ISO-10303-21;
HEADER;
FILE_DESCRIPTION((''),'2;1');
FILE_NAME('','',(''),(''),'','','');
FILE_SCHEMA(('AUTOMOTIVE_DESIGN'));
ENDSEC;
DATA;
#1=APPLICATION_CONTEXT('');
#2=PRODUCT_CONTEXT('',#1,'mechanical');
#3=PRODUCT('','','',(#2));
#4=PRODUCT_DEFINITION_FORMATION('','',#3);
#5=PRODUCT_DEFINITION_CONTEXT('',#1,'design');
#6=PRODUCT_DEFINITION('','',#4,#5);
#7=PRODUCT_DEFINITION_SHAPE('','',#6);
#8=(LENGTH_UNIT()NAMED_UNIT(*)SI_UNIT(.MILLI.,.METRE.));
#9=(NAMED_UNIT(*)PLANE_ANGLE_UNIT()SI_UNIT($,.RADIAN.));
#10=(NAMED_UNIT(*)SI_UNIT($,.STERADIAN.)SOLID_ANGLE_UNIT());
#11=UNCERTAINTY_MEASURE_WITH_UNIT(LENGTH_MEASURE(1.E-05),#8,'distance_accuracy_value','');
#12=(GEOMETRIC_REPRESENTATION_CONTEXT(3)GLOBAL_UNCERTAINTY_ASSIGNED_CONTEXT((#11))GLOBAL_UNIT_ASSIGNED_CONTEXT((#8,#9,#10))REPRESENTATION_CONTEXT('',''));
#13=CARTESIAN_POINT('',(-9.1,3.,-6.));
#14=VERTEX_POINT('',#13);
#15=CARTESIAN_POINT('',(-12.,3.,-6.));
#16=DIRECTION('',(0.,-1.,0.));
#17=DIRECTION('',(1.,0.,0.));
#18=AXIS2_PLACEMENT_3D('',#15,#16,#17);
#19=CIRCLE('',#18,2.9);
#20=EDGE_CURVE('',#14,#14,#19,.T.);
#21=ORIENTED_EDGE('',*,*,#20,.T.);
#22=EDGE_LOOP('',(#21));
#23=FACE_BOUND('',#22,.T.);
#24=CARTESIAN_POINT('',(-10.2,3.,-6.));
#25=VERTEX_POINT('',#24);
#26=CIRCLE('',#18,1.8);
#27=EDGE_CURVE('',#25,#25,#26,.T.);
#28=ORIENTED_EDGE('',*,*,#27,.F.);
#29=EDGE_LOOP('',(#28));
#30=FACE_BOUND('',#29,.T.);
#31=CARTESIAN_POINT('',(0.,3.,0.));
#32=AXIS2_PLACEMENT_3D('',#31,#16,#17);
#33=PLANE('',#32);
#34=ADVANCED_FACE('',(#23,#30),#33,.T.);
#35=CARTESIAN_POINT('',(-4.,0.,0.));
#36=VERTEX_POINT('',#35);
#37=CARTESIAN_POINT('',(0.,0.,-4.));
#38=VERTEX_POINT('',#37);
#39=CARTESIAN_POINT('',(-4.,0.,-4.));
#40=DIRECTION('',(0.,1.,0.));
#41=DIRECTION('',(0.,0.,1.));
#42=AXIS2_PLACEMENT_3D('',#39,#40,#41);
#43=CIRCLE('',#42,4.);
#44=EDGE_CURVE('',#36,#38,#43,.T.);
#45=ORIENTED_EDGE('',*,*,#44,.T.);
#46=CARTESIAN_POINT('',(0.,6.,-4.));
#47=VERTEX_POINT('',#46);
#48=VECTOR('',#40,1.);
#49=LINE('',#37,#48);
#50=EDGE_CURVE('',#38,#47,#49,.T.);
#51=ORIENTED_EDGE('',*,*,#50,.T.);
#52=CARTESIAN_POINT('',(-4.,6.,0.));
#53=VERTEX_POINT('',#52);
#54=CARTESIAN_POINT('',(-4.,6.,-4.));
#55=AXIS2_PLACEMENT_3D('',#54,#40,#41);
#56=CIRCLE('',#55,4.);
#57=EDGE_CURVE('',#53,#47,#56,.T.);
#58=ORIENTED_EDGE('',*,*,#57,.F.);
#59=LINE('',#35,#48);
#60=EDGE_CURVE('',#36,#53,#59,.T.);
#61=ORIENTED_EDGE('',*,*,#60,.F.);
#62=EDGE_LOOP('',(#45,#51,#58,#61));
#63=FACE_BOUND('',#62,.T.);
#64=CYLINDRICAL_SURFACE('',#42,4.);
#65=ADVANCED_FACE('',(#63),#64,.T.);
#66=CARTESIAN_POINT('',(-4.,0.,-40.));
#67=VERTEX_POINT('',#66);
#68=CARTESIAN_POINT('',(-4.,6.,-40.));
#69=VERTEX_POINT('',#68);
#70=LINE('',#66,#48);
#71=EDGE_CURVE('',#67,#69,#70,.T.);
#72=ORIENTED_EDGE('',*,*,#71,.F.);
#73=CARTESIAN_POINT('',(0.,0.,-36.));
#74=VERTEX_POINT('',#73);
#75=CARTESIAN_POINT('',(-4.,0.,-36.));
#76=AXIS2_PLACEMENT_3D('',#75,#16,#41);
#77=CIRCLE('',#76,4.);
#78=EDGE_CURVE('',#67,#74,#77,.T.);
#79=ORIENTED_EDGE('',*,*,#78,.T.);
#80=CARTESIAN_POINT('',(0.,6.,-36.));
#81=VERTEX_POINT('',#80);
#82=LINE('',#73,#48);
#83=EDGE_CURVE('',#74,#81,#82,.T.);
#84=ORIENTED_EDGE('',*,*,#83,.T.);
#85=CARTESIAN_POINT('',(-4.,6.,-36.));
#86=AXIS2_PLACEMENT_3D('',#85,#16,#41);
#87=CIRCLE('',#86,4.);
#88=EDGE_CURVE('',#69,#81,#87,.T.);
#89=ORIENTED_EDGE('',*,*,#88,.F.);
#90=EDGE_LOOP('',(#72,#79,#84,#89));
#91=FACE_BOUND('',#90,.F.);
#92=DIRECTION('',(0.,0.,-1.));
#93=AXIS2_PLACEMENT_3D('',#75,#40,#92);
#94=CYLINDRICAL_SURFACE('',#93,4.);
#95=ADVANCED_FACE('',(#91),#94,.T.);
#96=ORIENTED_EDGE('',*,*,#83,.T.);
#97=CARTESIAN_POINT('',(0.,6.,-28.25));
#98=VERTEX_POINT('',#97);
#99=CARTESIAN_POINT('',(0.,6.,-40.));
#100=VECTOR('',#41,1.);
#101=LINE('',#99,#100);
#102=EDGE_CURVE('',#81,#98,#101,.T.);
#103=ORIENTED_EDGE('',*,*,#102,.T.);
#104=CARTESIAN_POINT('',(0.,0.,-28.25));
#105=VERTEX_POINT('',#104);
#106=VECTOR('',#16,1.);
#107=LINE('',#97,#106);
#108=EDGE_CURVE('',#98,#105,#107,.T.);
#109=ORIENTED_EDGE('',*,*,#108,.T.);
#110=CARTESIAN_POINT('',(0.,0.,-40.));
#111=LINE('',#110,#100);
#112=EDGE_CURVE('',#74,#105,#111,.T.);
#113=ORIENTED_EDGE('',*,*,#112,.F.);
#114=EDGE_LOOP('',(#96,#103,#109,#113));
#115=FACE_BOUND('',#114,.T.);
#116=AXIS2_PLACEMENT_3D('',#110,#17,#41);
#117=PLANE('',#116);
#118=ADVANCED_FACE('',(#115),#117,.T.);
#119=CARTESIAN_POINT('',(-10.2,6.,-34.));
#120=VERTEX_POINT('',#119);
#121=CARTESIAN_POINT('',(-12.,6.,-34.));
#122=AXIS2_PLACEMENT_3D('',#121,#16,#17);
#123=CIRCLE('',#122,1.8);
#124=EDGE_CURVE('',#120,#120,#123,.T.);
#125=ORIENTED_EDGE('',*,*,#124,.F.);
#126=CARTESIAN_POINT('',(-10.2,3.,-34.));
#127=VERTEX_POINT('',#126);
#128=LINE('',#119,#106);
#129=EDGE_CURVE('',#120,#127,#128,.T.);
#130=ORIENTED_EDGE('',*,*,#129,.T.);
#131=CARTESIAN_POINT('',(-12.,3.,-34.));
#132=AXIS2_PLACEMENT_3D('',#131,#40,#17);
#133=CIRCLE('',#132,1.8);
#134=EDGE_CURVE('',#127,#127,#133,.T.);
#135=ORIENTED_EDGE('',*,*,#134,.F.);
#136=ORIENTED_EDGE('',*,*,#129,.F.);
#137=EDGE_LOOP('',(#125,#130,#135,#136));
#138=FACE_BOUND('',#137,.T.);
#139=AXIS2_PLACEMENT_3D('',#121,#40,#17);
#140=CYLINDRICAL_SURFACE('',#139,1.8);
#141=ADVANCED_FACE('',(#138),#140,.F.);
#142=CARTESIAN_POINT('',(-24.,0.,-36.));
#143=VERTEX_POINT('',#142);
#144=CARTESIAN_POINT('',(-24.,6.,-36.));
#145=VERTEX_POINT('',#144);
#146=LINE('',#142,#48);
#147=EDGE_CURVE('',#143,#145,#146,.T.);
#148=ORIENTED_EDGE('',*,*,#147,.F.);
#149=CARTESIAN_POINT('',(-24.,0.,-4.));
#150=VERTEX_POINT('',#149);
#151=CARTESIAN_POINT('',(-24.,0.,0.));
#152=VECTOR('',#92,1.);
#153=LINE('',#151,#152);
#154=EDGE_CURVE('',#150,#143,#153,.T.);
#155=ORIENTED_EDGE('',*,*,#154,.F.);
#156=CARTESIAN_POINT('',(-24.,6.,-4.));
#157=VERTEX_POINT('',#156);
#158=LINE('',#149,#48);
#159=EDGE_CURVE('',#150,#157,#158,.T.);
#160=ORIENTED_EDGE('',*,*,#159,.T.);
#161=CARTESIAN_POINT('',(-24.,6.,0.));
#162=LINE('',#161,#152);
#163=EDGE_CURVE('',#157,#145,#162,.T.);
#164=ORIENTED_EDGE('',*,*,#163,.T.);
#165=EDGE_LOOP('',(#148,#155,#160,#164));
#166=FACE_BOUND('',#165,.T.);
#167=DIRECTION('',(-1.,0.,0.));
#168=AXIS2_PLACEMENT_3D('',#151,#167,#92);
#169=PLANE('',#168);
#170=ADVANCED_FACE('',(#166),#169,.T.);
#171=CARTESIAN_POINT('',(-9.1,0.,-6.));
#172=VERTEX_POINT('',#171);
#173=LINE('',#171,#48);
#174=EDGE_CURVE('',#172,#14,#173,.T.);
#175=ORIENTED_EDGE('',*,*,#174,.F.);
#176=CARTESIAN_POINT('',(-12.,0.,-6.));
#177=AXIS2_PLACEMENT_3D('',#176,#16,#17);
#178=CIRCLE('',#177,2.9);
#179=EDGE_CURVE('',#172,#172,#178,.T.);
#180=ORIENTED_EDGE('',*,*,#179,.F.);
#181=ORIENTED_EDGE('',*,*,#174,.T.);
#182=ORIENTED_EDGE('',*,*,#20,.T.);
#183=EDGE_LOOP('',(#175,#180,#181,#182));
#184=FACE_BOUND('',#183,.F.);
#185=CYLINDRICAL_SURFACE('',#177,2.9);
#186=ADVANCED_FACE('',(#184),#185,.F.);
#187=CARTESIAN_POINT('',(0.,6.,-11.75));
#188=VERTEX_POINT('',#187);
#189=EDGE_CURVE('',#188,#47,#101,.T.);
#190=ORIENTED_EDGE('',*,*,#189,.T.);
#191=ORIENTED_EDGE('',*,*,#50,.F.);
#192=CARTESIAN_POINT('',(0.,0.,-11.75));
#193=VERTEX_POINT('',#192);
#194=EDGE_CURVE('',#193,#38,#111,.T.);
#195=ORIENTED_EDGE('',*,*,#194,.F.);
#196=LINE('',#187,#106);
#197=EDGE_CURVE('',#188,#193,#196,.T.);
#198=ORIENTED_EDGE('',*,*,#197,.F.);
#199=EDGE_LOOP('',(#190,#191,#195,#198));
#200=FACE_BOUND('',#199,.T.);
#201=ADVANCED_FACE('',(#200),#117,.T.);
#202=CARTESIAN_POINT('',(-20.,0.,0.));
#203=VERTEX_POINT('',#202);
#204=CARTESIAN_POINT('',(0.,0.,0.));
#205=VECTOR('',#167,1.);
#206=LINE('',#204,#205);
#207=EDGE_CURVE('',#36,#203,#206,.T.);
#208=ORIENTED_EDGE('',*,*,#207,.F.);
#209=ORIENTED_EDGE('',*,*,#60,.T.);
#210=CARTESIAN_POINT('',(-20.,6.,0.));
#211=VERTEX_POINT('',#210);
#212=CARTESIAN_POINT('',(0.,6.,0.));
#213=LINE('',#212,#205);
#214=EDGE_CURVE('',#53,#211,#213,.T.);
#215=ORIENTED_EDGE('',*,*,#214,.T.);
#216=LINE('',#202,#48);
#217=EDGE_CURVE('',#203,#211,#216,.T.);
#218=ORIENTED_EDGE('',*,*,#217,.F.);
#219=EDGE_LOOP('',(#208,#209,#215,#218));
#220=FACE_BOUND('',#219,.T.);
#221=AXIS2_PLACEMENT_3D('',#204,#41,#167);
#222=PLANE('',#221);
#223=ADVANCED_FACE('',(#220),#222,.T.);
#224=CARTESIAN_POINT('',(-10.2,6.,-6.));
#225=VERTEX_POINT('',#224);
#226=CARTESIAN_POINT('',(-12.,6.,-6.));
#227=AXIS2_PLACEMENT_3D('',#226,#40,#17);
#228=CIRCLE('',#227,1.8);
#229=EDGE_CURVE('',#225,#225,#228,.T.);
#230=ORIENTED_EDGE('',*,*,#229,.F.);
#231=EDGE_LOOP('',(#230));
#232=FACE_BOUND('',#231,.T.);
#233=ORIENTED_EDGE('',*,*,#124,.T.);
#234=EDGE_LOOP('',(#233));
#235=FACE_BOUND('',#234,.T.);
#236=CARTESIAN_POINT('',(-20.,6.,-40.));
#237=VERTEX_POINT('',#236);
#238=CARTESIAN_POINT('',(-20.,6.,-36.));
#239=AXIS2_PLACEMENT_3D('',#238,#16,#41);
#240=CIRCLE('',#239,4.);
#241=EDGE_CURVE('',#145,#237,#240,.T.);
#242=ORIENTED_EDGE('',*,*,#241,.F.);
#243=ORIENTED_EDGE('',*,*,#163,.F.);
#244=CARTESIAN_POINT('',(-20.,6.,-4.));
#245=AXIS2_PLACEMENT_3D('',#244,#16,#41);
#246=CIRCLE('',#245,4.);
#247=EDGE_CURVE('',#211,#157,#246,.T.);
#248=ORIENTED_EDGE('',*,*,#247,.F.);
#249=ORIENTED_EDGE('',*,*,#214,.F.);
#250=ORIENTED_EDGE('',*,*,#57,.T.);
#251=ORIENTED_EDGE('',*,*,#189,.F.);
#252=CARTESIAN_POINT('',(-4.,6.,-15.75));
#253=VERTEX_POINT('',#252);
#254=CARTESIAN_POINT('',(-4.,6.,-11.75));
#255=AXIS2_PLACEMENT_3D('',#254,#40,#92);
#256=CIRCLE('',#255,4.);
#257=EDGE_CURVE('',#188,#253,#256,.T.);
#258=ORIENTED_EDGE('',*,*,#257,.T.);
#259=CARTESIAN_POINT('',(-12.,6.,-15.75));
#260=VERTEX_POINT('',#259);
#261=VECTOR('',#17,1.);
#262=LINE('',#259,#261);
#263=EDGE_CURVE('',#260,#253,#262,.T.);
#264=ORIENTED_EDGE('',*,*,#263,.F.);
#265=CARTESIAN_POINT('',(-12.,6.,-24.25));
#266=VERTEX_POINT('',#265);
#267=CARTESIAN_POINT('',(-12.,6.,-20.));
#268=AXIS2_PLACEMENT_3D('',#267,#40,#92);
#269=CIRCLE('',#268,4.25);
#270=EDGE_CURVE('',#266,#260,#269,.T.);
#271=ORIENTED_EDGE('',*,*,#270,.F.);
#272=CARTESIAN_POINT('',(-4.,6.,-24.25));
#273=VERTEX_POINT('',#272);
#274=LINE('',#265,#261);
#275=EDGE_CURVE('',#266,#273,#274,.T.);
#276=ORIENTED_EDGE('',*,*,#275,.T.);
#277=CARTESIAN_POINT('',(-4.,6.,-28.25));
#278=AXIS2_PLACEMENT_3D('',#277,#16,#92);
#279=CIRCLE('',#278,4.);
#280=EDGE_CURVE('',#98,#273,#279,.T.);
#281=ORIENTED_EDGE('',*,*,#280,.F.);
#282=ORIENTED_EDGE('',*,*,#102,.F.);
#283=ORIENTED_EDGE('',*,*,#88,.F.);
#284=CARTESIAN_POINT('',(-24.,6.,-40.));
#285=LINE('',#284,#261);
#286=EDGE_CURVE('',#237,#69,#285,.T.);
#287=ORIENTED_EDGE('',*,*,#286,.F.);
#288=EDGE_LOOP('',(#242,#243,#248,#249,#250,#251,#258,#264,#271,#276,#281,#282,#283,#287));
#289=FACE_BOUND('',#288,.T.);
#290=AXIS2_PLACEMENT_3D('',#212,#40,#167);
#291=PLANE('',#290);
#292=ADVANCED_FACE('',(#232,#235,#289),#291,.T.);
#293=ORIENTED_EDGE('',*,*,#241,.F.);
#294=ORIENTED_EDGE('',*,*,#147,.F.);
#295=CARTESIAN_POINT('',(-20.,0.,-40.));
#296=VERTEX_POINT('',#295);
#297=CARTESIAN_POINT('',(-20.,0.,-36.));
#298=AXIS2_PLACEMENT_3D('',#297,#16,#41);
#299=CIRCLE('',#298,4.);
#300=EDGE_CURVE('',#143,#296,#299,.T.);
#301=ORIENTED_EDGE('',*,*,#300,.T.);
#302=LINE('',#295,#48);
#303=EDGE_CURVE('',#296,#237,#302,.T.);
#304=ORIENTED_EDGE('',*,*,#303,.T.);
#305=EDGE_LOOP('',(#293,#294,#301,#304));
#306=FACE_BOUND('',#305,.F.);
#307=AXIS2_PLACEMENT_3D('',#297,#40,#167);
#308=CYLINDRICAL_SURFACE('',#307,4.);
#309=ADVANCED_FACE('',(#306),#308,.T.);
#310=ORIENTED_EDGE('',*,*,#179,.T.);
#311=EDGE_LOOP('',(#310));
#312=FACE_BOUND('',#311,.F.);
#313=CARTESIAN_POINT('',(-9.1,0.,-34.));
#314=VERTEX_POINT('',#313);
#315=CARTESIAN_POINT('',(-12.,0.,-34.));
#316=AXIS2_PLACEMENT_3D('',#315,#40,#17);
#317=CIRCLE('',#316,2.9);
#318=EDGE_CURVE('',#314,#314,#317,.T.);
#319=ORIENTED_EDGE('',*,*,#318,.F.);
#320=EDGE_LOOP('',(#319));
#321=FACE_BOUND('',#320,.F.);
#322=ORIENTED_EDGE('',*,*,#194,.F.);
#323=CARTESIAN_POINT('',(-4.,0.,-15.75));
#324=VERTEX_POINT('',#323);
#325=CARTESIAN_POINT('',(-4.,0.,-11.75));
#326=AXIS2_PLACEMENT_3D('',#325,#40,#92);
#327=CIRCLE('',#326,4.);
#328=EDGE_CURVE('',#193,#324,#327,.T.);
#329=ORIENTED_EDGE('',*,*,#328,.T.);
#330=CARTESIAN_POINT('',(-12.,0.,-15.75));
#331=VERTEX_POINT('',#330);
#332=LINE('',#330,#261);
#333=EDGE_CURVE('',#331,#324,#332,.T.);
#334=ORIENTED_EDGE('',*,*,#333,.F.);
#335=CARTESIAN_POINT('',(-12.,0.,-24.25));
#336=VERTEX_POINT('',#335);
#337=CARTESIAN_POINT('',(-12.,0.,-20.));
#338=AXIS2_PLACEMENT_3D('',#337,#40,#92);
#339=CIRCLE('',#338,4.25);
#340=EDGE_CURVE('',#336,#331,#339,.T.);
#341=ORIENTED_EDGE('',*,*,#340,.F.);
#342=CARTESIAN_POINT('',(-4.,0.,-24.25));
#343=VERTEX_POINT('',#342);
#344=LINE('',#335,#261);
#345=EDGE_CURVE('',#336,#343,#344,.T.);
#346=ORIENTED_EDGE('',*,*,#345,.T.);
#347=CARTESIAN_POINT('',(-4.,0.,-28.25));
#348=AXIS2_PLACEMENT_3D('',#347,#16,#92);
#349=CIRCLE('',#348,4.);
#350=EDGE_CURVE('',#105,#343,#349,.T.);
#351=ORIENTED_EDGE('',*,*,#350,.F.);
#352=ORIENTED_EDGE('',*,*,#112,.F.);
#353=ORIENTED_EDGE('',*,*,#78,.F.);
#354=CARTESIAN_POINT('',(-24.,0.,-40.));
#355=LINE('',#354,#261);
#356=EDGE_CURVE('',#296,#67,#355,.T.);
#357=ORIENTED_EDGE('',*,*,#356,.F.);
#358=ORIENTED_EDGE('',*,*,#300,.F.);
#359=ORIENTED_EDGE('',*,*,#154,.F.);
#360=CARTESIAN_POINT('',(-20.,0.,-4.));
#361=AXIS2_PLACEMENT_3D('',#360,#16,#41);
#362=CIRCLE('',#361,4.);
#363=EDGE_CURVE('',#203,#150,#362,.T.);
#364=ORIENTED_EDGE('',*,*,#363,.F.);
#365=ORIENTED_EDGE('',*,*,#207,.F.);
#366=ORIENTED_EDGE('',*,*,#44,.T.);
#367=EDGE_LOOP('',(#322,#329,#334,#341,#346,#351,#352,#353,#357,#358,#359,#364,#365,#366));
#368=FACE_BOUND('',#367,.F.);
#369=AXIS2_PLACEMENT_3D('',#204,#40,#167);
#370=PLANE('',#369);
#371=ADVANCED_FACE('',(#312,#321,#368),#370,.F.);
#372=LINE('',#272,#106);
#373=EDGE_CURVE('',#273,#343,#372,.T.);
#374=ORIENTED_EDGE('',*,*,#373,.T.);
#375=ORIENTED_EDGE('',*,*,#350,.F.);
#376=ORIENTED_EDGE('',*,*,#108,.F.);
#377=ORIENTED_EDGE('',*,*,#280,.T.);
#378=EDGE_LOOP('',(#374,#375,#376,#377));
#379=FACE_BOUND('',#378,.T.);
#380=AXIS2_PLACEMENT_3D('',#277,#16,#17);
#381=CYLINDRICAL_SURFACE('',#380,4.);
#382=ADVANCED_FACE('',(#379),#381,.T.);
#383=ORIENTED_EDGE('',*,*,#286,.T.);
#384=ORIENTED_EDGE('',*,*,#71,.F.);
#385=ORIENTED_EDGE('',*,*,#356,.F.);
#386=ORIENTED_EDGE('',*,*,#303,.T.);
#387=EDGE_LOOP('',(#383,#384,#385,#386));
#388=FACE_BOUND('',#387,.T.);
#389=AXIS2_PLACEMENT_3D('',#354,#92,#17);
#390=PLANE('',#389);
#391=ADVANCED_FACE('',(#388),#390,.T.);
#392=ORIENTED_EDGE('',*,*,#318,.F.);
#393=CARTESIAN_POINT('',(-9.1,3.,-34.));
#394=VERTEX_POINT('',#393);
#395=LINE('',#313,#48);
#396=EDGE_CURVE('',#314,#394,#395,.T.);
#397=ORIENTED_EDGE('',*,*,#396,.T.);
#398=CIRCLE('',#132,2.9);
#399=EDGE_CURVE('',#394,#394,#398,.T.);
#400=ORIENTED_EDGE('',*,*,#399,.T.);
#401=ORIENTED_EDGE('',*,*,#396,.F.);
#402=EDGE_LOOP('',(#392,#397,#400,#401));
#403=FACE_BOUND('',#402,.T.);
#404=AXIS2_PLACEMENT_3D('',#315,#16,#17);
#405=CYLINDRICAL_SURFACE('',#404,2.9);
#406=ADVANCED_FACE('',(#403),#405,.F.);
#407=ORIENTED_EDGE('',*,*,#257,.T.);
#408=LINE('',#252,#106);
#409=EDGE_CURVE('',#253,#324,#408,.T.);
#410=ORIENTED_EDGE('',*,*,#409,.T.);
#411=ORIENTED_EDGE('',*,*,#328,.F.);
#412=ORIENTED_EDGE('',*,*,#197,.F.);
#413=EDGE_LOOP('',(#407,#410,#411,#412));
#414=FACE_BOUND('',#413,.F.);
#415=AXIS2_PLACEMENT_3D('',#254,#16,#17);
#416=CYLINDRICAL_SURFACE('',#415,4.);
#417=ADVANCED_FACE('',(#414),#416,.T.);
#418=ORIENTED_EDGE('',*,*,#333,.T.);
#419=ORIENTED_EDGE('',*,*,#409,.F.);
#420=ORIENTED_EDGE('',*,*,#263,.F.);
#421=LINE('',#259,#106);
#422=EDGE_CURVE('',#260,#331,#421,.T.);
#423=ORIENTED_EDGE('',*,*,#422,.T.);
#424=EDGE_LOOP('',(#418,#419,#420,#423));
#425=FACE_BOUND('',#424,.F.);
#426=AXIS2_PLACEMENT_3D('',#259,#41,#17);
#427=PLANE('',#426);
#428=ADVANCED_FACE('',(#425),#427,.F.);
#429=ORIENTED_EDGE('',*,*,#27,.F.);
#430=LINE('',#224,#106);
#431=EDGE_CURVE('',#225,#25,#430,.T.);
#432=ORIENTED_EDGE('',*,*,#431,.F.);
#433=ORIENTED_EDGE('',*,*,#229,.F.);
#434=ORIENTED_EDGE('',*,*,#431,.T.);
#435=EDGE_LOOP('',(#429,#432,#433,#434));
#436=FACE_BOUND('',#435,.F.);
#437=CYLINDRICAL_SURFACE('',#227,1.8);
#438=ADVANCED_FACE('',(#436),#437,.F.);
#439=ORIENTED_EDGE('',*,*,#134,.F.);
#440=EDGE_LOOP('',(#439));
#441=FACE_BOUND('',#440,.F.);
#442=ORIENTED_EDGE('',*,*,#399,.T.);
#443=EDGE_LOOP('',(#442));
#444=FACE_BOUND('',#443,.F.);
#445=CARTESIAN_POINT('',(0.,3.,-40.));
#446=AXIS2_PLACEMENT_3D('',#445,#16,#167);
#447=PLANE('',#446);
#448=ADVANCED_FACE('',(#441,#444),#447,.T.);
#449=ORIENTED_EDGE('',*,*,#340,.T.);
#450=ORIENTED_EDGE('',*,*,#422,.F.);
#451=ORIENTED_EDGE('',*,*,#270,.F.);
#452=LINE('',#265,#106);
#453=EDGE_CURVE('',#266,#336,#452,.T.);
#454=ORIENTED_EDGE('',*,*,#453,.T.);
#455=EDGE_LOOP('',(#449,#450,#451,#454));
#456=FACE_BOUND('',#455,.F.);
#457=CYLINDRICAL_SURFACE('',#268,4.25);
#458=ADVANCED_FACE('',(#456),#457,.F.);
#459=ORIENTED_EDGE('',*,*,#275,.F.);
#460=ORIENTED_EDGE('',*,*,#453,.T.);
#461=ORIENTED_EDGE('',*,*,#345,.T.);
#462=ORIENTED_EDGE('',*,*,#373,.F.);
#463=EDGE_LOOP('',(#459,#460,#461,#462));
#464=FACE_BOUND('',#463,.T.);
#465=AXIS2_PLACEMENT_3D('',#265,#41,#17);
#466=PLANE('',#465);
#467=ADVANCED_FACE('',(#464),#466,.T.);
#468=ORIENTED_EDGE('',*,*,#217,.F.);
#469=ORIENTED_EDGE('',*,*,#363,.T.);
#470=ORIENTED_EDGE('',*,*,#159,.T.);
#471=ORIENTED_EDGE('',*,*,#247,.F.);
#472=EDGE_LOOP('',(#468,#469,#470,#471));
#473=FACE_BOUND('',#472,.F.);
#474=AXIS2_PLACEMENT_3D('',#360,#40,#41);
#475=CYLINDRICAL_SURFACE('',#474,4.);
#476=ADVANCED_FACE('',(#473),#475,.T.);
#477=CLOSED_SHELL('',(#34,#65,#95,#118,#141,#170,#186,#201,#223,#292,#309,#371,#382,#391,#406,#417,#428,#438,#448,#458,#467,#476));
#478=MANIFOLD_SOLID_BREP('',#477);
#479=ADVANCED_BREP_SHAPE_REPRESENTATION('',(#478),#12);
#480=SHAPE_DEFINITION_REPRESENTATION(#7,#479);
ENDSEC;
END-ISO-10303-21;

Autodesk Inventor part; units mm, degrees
ref_plane "YZ Plane" through (0, 0, 0) normal (1, 0, 0) x (0, 1, 0)
ref_plane "XZ Plane" through (0, 0, 0) normal (0, 1, 0) x (-1, 0, 0)
ref_plane "XY Plane" through (0, 0, 0) normal (0, 0, 1) x (1, 0, 0)
sketch "Sketch1" plane through (0, 0, 0) normal (0, 1, 0) x (-1, 0, 0)
  line L0 (0, 0) -> (24, 0)
  line L1 (24, 0) -> (24, -40)
  line L2 (24, -40) -> (0, -40)
  line L3 (0, -40) -> (0, 0)
  dimension "d0" = 24
  dimension "d1" = 40
extrude "Extrusion1" add sketch "Sketch1" along normal blind 6
sketch "Sketch2" plane through (0, 6, 0) normal (0, 1, 0) x (1, 0, 0)
  arc A0 (-12, 24.25) -> (-12, 15.75) centre (-12, 20) ccw
  line L0 (-12, 15.75) -> (0, 15.75)
  line L1 (-12, 24.25) -> (0, 24.25)
  line L2 (0, 24.25) -> (0, 15.75)
  line L3 (0, 0) -> (0, 40) projected
  dimension "d4" = 8.5
extrude "Extrusion2" cut sketch "Sketch2" against normal blind 6
sketch "Sketch3" plane through (0, 6, 0) normal (0, 1, 0) x (1, 0, 0)
  circle A0 centre (-12, 6) radius 1.8
  point P0 (0, 0)
  dimension "d7" = 3.6
extrude "Extrusion3" cut sketch "Sketch3" against normal blind 6
ref_plane "Work Plane1" through (-24, 0, -20) normal (0, 0, 1) x (1, 0, 0)
mirror "Mirror1" about plane through (-24, 0, -20) normal (0, 0, 1) of "Extrusion3"
sketch "Sketch4" plane through (0, 0, 0) normal (0, -1, 0) x (1, 0, 0)
  circle A0 centre (-12, -6) radius 1.8 projected
  circle A1 centre (-12, -6) radius 2.9
  point P0 (0, 0)
  dimension "d11" = 5.8
extrude "Extrusion4" cut sketch "Sketch4" against normal blind 3
mirror "Mirror2" about plane through (-24, 0, -20) normal (0, 0, 1) of "Extrusion4"
fillet "Fillet1" radius 4 6 edges at (-24, 3, -40) (0, 3, 0) (-24, 3, 0) (0, 3, -40) (0, 3, -24.25) (0, 3, -15.75)
properties part number "shaft pusher bottom"
